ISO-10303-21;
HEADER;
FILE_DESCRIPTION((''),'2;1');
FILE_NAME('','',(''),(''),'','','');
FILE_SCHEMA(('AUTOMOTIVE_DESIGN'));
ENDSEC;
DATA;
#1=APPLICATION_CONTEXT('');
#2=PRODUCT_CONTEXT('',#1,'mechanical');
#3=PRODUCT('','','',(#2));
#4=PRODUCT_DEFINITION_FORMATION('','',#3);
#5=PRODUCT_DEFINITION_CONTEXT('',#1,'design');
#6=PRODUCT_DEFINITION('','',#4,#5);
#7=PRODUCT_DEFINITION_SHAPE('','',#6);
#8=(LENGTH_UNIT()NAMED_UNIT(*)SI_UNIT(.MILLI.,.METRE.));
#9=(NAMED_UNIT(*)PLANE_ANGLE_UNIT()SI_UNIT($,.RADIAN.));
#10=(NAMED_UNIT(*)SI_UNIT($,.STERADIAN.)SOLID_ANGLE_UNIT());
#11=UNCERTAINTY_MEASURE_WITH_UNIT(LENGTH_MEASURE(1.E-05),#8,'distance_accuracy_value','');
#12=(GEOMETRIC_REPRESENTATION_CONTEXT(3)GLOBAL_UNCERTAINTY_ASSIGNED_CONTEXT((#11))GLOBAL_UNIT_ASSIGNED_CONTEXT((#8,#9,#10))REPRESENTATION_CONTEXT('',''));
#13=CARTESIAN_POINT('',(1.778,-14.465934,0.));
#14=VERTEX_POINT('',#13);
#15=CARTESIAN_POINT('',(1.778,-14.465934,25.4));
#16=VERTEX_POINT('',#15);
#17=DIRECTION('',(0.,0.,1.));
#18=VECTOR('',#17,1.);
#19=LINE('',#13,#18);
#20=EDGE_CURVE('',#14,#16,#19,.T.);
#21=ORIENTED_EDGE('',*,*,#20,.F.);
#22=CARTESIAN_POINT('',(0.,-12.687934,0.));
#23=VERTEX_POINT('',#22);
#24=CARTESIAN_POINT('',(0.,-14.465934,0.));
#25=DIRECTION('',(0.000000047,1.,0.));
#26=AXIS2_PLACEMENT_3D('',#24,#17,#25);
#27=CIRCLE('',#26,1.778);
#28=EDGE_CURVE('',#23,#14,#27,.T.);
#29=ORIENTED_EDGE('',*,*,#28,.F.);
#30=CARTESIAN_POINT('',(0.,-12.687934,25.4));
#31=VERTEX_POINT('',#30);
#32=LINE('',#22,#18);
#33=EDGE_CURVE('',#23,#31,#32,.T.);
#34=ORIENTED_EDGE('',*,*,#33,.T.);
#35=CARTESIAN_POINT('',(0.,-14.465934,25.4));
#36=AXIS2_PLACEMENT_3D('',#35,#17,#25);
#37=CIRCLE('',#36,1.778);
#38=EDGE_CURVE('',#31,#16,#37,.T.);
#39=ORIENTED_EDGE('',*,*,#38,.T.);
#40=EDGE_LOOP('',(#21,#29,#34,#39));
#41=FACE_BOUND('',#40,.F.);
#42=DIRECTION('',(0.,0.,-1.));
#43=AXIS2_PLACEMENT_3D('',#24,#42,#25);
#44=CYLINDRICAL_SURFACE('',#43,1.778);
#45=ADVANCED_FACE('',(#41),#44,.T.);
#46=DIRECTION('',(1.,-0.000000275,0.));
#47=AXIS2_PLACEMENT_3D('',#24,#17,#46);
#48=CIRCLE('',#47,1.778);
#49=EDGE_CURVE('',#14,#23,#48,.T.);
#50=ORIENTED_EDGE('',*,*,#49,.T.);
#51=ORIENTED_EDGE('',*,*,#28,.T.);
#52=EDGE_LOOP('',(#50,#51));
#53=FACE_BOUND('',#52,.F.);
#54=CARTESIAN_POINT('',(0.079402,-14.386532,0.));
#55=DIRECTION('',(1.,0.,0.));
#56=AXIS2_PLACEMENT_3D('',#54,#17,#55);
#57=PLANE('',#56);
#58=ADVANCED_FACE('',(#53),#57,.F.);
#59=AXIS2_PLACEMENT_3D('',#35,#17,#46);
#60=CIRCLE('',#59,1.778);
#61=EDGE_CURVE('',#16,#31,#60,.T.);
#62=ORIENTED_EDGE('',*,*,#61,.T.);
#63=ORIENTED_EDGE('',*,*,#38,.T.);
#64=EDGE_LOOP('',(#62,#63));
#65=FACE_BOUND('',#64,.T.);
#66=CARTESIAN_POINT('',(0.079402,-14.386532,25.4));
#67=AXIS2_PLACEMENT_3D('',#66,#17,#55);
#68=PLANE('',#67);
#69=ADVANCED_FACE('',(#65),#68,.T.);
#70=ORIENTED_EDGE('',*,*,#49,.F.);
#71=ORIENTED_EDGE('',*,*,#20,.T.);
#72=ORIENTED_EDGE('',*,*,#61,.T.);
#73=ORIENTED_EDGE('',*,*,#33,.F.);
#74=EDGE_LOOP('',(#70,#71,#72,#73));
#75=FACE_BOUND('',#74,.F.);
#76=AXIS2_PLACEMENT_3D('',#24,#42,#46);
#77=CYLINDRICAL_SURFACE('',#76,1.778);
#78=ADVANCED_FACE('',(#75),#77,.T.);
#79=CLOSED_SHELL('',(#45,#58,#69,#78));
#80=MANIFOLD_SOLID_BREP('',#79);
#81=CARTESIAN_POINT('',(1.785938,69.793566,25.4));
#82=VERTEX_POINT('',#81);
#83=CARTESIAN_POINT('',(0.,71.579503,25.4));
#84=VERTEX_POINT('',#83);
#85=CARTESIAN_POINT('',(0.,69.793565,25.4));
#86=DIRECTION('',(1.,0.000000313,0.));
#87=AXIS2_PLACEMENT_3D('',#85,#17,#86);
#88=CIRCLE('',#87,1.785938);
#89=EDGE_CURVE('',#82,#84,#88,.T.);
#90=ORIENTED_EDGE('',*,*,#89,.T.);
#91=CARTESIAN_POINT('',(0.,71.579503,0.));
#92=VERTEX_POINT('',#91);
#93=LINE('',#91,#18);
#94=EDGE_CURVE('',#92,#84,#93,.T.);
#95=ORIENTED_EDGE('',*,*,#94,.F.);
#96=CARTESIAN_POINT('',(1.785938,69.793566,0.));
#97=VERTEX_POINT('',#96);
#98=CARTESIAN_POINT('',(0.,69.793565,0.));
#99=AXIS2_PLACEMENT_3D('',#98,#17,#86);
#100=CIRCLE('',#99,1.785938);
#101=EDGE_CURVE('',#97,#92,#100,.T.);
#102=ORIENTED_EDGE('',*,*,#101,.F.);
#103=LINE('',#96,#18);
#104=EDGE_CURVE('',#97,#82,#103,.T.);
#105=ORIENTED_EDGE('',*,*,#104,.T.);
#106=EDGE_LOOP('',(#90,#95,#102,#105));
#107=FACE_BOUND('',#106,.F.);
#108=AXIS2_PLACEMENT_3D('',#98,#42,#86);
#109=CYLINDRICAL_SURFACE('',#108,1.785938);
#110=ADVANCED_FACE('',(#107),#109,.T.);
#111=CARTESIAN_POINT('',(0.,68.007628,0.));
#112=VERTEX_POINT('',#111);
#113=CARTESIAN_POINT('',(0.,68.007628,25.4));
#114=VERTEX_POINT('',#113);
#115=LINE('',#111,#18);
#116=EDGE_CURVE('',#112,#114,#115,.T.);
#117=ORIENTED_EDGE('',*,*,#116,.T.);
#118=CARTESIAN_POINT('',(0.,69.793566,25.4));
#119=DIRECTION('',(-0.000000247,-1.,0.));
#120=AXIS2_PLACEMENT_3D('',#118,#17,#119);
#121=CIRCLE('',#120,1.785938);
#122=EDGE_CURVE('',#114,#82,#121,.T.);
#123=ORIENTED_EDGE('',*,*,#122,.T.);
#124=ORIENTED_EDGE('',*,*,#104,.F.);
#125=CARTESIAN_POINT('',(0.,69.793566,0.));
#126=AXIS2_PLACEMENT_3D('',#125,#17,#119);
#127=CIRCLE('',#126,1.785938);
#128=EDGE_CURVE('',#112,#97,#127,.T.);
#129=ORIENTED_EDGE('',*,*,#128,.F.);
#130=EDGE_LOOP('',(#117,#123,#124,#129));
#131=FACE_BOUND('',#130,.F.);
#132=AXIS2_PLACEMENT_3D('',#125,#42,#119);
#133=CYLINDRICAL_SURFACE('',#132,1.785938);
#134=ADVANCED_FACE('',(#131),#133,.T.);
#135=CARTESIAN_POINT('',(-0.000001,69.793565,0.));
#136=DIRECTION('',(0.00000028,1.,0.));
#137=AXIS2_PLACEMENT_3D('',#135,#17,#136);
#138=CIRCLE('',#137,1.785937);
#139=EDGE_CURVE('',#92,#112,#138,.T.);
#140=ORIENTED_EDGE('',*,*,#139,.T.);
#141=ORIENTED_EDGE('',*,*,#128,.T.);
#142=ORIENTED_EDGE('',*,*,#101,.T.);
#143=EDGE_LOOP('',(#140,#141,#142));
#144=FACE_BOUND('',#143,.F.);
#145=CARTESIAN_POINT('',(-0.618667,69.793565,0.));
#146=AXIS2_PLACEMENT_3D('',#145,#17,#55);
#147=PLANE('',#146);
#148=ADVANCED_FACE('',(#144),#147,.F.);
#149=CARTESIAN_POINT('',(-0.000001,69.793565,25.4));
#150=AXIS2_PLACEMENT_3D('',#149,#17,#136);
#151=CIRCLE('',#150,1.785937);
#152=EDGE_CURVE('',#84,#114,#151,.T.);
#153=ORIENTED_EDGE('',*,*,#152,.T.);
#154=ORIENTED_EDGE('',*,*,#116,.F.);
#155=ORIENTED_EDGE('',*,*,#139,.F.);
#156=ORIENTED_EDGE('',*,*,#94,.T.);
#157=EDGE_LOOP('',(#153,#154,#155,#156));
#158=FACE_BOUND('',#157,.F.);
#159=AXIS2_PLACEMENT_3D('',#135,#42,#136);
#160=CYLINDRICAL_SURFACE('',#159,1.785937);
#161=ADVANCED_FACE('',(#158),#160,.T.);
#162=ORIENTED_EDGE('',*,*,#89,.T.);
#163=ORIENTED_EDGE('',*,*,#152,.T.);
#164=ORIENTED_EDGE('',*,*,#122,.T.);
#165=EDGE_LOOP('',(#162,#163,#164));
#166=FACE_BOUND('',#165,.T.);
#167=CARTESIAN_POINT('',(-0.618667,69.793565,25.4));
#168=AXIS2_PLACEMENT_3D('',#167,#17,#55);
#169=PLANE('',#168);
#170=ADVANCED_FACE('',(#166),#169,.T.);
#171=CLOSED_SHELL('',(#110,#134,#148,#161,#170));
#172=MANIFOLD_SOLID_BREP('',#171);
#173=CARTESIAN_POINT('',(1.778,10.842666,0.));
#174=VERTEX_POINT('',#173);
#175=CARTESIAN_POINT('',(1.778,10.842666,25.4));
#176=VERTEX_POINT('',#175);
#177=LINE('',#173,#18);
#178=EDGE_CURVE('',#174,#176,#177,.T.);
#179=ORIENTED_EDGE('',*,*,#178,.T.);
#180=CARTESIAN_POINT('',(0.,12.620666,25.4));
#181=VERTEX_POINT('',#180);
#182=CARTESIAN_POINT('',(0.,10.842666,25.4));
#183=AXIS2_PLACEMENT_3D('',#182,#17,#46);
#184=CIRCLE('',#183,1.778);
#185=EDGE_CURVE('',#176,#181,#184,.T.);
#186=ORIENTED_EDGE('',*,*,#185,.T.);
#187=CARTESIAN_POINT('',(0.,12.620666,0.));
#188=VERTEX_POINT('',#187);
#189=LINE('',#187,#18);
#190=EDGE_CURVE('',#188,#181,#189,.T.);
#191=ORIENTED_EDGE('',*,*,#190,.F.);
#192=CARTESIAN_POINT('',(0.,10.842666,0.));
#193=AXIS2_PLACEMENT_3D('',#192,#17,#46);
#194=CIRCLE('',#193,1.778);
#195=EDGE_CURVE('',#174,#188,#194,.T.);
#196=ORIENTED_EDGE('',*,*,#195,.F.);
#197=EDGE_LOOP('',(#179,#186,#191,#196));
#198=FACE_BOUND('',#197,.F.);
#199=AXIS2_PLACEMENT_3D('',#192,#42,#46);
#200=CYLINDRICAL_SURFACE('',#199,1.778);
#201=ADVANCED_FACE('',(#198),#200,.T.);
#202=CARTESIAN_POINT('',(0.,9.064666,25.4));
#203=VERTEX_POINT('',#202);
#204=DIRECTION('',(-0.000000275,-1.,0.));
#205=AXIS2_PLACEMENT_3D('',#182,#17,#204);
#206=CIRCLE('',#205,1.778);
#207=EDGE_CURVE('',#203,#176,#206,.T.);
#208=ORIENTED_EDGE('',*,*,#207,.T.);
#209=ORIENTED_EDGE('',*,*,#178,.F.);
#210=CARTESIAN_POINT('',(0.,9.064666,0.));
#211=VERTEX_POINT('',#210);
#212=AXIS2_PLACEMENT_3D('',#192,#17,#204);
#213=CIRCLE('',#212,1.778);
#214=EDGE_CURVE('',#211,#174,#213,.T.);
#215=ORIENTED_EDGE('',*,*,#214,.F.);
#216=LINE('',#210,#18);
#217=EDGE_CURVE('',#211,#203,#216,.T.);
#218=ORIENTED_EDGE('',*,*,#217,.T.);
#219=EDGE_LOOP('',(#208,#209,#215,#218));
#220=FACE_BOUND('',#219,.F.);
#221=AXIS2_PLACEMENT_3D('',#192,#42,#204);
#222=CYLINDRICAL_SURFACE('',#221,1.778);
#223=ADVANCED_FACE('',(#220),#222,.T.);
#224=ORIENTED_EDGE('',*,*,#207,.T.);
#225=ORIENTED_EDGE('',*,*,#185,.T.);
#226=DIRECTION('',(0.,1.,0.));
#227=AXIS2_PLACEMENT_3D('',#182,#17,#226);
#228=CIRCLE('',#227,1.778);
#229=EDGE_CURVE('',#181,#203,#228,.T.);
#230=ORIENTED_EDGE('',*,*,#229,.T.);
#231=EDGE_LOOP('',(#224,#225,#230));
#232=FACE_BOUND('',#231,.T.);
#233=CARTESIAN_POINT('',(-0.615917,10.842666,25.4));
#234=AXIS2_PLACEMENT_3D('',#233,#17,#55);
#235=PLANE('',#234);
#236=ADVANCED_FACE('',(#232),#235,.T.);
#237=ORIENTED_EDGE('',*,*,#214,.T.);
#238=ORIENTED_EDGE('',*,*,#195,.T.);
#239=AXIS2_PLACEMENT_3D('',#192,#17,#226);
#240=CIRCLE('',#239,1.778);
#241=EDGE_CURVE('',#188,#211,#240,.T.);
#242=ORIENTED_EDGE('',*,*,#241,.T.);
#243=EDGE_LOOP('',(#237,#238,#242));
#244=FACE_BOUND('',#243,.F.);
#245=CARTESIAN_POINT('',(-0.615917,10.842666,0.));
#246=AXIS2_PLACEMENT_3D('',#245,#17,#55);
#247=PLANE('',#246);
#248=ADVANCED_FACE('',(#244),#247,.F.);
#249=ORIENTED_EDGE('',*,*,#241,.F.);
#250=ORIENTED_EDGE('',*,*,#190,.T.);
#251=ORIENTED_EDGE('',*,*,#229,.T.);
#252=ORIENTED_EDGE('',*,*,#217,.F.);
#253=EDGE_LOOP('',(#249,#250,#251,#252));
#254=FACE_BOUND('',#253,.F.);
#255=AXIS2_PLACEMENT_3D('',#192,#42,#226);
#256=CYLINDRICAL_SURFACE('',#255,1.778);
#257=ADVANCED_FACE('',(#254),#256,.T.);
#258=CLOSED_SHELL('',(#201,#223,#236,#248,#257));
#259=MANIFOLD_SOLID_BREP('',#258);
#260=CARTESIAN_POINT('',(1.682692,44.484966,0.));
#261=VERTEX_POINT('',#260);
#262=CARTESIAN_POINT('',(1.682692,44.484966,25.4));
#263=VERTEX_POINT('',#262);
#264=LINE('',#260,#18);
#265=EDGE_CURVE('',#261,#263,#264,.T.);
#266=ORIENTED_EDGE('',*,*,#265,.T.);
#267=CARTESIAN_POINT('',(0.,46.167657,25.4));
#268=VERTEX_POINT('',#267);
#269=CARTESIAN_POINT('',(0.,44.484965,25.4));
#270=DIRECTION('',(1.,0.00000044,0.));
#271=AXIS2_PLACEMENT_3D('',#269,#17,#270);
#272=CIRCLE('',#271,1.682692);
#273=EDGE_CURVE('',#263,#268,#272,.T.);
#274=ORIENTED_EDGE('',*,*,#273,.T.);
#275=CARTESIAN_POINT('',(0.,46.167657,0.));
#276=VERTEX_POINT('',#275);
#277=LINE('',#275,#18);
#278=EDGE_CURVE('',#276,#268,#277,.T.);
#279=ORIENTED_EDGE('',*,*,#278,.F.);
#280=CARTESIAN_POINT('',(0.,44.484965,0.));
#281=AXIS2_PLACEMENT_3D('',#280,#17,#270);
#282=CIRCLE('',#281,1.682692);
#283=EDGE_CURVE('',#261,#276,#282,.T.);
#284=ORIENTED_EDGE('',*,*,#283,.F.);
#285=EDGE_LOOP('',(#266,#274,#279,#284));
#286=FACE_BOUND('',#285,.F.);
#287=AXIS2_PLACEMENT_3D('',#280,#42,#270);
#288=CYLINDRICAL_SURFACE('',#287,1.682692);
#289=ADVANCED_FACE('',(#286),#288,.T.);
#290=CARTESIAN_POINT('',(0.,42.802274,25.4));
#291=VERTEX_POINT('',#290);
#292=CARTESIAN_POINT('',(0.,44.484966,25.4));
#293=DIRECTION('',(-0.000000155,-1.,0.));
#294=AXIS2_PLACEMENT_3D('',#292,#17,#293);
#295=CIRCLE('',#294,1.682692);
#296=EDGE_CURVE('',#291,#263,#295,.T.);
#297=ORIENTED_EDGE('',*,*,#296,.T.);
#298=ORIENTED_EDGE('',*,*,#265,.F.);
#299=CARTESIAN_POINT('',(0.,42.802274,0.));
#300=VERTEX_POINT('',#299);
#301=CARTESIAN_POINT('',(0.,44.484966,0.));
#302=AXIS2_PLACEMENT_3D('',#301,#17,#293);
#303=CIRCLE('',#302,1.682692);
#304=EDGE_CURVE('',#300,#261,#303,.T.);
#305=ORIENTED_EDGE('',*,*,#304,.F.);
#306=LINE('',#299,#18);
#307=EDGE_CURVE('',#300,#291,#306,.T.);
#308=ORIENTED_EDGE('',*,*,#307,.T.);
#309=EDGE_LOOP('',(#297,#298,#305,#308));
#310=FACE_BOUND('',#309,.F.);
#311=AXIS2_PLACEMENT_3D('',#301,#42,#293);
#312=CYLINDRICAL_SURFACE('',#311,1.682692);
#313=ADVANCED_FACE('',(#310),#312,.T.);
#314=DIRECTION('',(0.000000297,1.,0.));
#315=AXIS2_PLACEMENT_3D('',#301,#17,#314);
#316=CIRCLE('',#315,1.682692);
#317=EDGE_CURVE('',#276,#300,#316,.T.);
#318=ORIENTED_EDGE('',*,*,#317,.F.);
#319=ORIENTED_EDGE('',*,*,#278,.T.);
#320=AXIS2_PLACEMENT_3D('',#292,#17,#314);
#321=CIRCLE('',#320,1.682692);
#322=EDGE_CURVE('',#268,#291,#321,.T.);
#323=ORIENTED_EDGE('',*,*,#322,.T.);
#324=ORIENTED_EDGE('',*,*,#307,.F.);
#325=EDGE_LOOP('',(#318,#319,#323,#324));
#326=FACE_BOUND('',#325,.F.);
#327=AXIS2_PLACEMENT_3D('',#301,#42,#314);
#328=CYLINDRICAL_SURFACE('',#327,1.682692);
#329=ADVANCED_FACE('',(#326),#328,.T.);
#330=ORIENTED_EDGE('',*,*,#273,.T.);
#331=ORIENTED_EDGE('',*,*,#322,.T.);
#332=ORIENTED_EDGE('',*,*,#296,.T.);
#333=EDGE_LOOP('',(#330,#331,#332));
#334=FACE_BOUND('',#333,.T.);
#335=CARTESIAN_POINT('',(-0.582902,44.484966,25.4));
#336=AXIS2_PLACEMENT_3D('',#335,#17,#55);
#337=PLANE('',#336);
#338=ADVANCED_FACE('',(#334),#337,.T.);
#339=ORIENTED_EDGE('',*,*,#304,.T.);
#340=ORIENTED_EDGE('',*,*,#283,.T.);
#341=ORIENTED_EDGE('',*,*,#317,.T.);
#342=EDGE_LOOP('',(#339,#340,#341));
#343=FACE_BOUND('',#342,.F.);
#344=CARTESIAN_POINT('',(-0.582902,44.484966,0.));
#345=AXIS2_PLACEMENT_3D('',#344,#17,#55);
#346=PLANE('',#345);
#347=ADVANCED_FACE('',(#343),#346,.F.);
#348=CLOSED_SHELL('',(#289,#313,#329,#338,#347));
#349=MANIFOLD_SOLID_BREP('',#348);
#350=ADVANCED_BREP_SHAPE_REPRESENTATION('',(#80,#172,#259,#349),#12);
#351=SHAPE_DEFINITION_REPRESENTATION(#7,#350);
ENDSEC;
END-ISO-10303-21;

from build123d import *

# Parameters (mm, degrees)
F1_DEPTH = 25.4


with BuildPart() as f1:
    # F0 (on Top) → F1 (new body)
    with BuildSketch(Plane.XY):
        with BuildLine():
            ThreePointArc((0, 71.579503), (-1.785938, 69.793566), (0, 68.007628))
            Line((0, 68.007628), (0, 69.793566))
            Line((0, 69.793566), (0, 71.579503))
        make_face()
        with BuildLine():
            Line((0, 69.793566), (0, 68.007628))
            ThreePointArc((0, 68.007628), (1.262849, 68.530717), (1.785938, 69.793566))
            ThreePointArc((1.785938, 69.793566), (1.262849, 71.056414), (0, 71.579503))
            Line((0, 71.579503), (0, 69.793566))
        make_face()
        with BuildLine():
            ThreePointArc((0, 46.167657), (-1.682692, 44.484966), (0, 42.802274))
            Line((0, 42.802274), (0, 44.484966))
            Line((0, 44.484966), (0, 46.167657))
        make_face()
        with BuildLine():
            Line((0, 44.484966), (0, 42.802274))
            ThreePointArc((0, 42.802274), (1.189843, 43.295123), (1.682692, 44.484966))
            ThreePointArc((1.682692, 44.484966), (1.189843, 45.674808), (0, 46.167657))
            Line((0, 46.167657), (0, 44.484966))
        make_face()
        with BuildLine():
            ThreePointArc((0, 12.620666), (-1.778, 10.842666), (0, 9.064666))
            Line((0, 9.064666), (0, 10.842666))
            Line((0, 10.842666), (0, 12.620666))
        make_face()
        with BuildLine():
            Line((0, 10.842666), (0, 9.064666))
            ThreePointArc((0, 9.064666), (1.257236, 9.58543), (1.778, 10.842666))
            ThreePointArc((1.778, 10.842666), (1.257236, 12.099902), (0, 12.620666))
            Line((0, 12.620666), (0, 10.842666))
        make_face()
        with BuildLine():
            ThreePointArc((1.778, -14.465934), (1.257236, -13.208698), (0, -12.687934))
            ThreePointArc((0, -12.687934), (-1.257236, -15.72317), (1.778, -14.465934))
        make_face()
    extrude(amount=F1_DEPTH)


solid = f1.part
